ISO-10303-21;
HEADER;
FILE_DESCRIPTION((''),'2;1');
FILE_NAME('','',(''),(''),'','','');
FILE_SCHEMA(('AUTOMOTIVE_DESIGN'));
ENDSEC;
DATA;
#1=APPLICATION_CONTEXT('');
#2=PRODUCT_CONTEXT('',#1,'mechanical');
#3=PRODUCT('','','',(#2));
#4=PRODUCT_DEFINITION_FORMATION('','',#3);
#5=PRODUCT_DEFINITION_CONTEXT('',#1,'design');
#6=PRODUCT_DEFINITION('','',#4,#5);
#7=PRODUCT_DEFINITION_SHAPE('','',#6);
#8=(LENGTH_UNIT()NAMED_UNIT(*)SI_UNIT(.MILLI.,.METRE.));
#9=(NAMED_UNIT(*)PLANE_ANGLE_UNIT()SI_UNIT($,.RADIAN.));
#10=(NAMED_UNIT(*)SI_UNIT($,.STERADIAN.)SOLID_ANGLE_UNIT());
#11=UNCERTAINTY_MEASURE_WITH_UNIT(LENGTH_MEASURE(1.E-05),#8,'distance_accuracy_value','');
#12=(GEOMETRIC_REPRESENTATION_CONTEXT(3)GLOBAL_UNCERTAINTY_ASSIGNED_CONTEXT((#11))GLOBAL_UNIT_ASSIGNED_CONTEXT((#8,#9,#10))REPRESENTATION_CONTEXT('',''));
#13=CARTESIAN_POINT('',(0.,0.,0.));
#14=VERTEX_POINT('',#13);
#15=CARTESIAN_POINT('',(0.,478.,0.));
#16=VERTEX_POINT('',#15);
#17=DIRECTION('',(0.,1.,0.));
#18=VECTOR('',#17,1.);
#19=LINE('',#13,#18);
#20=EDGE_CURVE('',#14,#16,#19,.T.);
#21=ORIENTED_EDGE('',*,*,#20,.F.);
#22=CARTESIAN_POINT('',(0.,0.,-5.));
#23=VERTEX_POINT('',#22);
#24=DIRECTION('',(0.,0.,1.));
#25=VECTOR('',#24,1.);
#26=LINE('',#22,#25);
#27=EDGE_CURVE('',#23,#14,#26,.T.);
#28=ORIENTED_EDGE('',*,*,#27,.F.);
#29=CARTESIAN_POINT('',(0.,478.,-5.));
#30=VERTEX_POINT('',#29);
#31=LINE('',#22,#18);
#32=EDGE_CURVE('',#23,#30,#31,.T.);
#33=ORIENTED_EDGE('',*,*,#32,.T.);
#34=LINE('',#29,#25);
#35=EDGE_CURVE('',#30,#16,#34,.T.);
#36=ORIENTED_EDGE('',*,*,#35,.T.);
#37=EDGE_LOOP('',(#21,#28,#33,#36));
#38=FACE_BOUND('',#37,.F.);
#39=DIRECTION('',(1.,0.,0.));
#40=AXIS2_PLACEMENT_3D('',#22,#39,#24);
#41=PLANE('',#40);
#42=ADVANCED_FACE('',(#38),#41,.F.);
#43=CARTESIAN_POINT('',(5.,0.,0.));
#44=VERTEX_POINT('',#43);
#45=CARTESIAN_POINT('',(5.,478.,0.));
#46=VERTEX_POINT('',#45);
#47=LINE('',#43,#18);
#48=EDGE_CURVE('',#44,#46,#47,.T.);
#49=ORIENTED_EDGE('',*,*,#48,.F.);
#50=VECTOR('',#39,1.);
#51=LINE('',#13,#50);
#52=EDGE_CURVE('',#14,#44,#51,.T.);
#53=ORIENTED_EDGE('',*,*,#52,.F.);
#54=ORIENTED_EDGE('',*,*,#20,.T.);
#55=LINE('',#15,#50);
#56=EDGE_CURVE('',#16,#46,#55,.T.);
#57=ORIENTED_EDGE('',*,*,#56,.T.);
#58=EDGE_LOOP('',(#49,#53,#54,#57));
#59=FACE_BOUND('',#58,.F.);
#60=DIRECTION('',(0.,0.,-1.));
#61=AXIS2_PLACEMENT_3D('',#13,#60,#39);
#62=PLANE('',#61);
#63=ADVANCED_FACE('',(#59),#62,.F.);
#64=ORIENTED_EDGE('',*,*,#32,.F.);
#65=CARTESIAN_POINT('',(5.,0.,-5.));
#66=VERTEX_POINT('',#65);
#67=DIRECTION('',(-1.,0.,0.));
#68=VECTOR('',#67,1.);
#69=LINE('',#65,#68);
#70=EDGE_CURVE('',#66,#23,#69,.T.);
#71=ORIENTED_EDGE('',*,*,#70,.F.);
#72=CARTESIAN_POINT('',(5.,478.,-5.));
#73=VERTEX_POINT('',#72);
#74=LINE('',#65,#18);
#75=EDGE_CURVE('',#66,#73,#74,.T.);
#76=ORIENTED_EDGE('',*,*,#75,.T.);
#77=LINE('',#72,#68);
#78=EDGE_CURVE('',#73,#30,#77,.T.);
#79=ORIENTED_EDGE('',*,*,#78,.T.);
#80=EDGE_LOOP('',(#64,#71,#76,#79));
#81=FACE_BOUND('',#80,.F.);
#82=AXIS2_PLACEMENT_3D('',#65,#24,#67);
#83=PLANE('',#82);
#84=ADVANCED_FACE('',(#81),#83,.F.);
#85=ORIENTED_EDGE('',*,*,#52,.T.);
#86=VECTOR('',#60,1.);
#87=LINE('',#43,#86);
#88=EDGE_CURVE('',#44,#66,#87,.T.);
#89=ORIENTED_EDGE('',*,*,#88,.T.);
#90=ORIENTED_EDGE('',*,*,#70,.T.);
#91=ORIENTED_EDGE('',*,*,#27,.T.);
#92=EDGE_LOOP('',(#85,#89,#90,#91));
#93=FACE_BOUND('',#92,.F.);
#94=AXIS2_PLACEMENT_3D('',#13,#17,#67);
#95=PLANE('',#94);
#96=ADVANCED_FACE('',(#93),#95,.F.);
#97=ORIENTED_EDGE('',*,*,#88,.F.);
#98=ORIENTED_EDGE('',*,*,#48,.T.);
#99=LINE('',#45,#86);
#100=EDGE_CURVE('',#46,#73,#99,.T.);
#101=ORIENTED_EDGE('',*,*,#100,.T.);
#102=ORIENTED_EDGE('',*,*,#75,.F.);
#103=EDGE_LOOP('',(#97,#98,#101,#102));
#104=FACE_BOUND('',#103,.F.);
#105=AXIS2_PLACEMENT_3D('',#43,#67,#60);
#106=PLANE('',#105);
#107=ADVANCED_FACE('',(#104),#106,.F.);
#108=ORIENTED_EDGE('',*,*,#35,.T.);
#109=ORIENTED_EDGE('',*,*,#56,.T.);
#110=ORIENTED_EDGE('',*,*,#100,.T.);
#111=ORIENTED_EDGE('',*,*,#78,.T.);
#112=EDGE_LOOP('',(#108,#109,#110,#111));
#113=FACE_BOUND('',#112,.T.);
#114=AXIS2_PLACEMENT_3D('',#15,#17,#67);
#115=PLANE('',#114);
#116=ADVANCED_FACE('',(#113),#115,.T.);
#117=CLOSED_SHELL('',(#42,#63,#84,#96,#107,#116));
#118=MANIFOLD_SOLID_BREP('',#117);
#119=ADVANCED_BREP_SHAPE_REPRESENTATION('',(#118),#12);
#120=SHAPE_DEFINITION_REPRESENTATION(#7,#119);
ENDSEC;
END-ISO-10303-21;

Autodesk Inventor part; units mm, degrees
ref_plane "YZ Plane" through (0, 0, 0) normal (1, 0, 0) x (0, 1, 0)
ref_plane "XZ Plane" through (0, 0, 0) normal (0, 1, 0) x (-1, 0, 0)
ref_plane "XY Plane" through (0, 0, 0) normal (0, 0, 1) x (1, 0, 0)
sketch "Sketch4" plane through (0, 0, 0) normal (0, 1, 0) x (-1, 0, 0)
  line L0 (0, 0) -> (-5, 0)
  line L1 (-5, 0) -> (-5, -5)
  line L2 (-5, -5) -> (0, -5)
  line L3 (0, -5) -> (0, 0)
  dimension "d103" = 5
  dimension "d104" = 5
extrude "Extrusion7" add sketch "Sketch4" along normal blind 478
properties part number "airfoil"
